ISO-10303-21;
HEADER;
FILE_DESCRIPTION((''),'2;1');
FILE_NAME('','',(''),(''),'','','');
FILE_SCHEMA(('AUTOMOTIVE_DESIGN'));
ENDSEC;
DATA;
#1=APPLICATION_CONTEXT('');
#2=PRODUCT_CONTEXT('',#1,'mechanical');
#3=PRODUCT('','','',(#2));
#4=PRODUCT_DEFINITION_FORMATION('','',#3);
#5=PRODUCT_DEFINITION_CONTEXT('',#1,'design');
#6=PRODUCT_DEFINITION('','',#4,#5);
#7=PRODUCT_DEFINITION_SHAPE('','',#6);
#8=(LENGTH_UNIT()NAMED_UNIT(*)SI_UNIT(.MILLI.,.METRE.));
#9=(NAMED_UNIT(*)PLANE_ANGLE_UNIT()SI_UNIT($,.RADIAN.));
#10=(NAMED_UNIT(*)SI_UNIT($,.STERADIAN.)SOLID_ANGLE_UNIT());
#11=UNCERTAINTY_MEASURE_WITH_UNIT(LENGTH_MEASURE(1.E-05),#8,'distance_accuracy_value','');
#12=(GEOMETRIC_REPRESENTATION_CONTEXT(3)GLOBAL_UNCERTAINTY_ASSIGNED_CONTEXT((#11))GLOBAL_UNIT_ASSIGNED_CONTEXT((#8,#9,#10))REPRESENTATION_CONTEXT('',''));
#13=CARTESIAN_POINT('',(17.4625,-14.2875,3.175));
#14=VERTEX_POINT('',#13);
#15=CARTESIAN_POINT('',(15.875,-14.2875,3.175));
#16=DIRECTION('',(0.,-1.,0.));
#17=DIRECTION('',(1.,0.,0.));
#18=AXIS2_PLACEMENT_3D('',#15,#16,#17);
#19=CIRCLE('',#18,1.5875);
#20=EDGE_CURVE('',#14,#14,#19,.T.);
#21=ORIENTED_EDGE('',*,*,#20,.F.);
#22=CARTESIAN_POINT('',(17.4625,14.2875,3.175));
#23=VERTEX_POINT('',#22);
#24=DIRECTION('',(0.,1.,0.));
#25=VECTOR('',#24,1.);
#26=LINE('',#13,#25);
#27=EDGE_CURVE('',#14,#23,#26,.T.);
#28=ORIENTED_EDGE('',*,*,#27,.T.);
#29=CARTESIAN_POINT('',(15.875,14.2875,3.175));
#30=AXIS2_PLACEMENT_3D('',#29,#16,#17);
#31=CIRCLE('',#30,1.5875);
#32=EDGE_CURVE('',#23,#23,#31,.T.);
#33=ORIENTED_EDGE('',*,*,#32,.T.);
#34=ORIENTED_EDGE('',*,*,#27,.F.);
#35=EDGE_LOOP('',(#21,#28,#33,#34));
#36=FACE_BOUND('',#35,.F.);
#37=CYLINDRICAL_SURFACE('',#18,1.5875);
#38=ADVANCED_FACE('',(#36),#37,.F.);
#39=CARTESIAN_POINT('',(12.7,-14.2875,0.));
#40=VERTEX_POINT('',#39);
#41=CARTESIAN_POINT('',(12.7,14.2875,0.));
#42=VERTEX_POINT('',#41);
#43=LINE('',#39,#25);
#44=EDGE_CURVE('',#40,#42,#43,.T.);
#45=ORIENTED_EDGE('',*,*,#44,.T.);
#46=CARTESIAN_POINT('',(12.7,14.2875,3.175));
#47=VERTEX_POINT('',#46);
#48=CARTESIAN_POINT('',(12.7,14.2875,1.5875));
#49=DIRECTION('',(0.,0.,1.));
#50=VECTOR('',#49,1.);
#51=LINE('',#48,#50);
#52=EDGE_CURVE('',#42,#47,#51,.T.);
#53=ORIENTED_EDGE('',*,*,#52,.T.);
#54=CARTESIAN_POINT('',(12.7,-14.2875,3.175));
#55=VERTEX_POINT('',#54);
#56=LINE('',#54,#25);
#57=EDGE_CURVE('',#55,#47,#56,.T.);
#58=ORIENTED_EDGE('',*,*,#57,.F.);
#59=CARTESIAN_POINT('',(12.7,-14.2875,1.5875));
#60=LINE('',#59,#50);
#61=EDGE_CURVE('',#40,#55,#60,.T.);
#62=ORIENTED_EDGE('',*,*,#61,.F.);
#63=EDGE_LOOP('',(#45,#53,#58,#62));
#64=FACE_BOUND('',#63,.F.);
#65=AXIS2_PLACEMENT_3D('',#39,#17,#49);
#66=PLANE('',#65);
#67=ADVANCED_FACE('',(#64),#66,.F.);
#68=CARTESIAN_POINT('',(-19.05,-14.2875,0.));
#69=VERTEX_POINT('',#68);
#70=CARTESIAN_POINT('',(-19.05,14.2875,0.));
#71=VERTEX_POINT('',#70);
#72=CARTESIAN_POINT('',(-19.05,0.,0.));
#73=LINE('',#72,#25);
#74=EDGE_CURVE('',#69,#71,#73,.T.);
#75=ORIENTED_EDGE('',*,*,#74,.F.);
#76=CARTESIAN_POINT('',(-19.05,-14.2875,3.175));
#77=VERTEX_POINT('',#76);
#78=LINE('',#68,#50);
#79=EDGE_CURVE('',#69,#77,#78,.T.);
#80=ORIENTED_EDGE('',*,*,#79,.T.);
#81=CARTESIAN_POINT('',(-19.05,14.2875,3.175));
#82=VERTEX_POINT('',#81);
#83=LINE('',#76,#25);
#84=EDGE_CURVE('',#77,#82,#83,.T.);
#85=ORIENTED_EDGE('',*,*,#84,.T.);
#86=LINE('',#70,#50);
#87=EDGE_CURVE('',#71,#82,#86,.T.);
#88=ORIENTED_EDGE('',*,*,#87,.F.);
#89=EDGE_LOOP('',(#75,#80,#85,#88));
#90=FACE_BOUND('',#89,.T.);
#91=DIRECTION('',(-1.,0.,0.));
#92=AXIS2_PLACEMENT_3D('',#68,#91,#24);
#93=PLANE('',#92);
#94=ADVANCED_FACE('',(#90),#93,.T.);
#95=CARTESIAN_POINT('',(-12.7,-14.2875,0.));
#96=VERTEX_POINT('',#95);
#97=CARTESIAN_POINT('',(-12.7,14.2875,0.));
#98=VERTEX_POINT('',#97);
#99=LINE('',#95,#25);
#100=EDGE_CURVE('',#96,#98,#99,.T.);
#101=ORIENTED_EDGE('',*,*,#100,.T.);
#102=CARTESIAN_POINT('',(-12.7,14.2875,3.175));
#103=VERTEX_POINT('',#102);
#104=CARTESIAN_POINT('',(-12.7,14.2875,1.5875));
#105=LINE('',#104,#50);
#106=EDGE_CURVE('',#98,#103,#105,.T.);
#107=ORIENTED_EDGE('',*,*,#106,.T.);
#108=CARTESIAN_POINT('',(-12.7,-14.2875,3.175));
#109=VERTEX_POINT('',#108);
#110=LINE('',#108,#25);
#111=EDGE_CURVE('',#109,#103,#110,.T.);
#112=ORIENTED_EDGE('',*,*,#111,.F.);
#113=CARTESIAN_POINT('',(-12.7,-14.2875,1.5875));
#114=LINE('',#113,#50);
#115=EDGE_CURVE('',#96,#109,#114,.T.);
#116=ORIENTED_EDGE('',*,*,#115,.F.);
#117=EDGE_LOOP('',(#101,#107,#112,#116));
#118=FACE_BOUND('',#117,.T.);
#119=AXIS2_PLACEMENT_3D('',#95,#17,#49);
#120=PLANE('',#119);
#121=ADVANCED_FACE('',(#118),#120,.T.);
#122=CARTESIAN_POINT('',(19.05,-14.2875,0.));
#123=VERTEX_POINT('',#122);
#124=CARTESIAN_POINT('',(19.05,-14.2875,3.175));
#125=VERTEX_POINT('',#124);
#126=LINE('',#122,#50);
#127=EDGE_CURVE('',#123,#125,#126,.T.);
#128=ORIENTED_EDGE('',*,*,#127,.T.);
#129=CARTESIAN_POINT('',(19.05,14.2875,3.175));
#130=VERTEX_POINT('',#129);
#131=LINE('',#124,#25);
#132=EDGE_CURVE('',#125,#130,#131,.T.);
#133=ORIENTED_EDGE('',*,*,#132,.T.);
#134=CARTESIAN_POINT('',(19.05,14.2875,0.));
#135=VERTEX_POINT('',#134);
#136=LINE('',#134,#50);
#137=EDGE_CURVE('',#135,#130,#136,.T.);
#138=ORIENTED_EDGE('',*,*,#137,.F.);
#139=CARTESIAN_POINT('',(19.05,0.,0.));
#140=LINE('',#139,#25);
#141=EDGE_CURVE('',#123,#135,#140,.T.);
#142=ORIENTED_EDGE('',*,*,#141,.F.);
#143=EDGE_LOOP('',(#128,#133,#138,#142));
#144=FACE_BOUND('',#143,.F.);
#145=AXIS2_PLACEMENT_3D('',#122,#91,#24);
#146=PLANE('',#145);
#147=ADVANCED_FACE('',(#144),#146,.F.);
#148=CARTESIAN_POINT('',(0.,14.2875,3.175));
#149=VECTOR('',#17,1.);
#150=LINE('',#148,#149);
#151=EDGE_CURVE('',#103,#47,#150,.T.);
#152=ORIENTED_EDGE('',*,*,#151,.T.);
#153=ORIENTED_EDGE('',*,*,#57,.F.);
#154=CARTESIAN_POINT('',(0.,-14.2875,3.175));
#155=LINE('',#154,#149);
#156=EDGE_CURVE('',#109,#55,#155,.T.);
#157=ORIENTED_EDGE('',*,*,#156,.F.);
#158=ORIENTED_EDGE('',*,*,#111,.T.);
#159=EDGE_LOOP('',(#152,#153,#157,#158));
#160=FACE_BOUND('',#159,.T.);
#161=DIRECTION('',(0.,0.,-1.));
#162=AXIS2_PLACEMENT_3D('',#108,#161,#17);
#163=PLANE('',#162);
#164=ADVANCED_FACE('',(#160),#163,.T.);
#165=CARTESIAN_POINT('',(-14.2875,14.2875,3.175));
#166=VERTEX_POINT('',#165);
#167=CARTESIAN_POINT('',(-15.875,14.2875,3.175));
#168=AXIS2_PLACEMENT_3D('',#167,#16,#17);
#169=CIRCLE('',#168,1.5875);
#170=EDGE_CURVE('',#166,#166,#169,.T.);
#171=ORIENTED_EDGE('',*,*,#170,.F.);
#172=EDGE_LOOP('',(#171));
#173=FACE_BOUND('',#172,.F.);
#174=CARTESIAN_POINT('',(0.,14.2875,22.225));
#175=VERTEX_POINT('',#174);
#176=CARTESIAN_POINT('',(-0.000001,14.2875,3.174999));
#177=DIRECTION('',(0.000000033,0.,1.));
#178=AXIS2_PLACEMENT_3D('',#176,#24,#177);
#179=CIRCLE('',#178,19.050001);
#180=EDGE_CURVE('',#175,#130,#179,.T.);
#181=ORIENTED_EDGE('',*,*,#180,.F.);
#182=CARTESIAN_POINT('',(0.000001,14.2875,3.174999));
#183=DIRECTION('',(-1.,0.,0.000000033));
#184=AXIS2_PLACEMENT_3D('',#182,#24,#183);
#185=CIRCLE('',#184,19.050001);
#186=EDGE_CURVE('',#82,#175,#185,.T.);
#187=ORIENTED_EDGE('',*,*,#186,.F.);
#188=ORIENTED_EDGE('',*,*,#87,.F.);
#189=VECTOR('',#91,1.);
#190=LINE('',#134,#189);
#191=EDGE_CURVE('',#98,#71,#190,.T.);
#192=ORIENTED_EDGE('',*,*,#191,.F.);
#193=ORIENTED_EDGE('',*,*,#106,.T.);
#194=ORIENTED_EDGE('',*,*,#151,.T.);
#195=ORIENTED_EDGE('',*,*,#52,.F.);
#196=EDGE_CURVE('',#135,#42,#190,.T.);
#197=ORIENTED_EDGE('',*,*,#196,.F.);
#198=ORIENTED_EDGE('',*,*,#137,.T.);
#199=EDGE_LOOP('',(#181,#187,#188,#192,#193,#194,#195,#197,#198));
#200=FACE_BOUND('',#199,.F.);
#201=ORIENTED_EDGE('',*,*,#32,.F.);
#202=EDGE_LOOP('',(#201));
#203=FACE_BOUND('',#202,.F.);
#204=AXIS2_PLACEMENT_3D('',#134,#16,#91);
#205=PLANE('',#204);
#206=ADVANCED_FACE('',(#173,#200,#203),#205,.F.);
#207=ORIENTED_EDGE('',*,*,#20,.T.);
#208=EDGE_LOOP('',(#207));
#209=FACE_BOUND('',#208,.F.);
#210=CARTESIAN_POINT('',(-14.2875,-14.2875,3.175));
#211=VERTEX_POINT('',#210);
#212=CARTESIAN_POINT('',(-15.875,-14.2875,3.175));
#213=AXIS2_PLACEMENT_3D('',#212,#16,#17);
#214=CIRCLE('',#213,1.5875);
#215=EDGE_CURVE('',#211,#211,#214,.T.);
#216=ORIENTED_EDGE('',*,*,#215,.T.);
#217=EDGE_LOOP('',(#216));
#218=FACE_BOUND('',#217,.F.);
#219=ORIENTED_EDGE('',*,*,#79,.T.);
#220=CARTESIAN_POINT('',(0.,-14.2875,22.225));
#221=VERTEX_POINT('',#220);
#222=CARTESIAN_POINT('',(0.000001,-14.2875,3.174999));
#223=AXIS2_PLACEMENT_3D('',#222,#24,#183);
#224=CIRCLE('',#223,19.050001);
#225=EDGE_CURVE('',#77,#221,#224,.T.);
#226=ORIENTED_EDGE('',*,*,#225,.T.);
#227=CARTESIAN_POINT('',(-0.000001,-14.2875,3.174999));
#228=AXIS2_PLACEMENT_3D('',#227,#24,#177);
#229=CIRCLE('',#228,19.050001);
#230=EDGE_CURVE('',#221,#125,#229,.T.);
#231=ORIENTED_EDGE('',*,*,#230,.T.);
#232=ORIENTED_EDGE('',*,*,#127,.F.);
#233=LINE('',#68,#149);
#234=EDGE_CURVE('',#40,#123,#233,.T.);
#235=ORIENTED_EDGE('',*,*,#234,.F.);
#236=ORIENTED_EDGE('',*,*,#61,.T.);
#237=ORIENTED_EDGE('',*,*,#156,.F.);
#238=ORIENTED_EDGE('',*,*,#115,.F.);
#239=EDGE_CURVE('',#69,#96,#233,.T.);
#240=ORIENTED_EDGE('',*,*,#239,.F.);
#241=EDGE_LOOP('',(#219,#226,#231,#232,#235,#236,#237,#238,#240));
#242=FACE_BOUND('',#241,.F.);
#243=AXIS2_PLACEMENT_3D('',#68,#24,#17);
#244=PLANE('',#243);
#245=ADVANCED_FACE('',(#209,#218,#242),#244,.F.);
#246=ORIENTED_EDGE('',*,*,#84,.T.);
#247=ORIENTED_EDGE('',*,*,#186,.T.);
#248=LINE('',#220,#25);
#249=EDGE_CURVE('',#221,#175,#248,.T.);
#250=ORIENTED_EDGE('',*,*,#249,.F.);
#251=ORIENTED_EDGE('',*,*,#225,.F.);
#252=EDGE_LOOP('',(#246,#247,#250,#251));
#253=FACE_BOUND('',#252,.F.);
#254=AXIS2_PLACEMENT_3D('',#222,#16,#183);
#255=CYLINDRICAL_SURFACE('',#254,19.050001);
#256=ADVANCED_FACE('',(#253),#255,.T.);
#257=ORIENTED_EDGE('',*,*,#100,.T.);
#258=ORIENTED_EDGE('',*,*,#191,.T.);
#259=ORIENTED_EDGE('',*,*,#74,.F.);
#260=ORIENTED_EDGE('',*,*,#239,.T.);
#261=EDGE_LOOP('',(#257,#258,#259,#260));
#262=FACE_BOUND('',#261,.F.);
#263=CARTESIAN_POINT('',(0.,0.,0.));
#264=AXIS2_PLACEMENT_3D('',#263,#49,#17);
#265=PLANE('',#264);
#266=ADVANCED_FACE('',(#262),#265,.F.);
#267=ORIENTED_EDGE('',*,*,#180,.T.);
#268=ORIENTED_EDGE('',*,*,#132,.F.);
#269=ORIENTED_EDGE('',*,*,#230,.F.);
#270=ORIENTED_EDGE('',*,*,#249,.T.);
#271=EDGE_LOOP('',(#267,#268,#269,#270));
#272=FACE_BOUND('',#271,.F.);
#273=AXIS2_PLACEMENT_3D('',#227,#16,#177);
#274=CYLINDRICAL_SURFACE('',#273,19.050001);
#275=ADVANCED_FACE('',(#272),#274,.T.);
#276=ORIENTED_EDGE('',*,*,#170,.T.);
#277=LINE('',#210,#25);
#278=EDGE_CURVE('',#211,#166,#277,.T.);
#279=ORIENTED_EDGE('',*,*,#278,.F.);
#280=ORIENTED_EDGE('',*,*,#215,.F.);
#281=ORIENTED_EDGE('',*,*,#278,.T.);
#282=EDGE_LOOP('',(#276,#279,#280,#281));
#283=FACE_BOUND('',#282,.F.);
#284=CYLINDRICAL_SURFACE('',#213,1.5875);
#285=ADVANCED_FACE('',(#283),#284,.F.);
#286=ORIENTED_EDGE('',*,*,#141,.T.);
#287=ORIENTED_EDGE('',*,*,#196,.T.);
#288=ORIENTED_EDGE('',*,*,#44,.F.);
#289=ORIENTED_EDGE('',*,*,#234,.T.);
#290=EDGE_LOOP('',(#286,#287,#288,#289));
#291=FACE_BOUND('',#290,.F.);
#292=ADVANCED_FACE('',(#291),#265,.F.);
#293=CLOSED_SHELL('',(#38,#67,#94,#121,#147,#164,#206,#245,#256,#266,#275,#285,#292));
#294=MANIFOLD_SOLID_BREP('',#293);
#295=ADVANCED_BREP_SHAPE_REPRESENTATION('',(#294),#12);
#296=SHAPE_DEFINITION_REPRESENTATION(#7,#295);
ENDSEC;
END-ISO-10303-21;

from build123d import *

# Parameters (mm, degrees)
F0_W     = 25.4
F0_H     = 28.575
F0_W_2   = 6.35
F1_DEPTH = 22.225
F2_W     = 25.4
F2_H     = 3.175
F2_R     = 1.5875
F3_DEPTH = 28.575


with BuildPart() as f1:
    # F0 (on Top) → F1 (new body)
    with BuildSketch(Plane.XY):
        Rectangle(F0_W, F0_H)
        with Locations((-15.875, 0)):
            Rectangle(F0_W_2, F0_H)
        with Locations((15.875, 0)):
            Rectangle(F0_W_2, F0_H)
    extrude(amount=F1_DEPTH)

    # F2 (on face) → F3 (cut)
    with BuildSketch(Plane.XZ.offset(14.2875)):
        with BuildLine():
            Line((19.05, 22.225), (0, 22.225))
            ThreePointArc((0, 22.225), (13.470384, 16.645384), (19.05, 3.175))
            Line((19.05, 3.175), (19.05, 22.225))
        make_face()
        with BuildLine():
            Line((-19.05, 22.225), (-19.05, 3.175))
            ThreePointArc((-19.05, 3.175), (-13.470384, 16.645384), (0, 22.225))
            Line((0, 22.225), (-19.05, 22.225))
        make_face()
        with Locations((0, 1.5875)):
            Rectangle(F2_W, F2_H)
        with Locations((-15.875, 3.175)):
            Circle(F2_R)
        with Locations((15.875, 3.175)):
            Circle(F2_R)
    extrude(amount=-F3_DEPTH, mode=Mode.SUBTRACT)


solid = f1.part
